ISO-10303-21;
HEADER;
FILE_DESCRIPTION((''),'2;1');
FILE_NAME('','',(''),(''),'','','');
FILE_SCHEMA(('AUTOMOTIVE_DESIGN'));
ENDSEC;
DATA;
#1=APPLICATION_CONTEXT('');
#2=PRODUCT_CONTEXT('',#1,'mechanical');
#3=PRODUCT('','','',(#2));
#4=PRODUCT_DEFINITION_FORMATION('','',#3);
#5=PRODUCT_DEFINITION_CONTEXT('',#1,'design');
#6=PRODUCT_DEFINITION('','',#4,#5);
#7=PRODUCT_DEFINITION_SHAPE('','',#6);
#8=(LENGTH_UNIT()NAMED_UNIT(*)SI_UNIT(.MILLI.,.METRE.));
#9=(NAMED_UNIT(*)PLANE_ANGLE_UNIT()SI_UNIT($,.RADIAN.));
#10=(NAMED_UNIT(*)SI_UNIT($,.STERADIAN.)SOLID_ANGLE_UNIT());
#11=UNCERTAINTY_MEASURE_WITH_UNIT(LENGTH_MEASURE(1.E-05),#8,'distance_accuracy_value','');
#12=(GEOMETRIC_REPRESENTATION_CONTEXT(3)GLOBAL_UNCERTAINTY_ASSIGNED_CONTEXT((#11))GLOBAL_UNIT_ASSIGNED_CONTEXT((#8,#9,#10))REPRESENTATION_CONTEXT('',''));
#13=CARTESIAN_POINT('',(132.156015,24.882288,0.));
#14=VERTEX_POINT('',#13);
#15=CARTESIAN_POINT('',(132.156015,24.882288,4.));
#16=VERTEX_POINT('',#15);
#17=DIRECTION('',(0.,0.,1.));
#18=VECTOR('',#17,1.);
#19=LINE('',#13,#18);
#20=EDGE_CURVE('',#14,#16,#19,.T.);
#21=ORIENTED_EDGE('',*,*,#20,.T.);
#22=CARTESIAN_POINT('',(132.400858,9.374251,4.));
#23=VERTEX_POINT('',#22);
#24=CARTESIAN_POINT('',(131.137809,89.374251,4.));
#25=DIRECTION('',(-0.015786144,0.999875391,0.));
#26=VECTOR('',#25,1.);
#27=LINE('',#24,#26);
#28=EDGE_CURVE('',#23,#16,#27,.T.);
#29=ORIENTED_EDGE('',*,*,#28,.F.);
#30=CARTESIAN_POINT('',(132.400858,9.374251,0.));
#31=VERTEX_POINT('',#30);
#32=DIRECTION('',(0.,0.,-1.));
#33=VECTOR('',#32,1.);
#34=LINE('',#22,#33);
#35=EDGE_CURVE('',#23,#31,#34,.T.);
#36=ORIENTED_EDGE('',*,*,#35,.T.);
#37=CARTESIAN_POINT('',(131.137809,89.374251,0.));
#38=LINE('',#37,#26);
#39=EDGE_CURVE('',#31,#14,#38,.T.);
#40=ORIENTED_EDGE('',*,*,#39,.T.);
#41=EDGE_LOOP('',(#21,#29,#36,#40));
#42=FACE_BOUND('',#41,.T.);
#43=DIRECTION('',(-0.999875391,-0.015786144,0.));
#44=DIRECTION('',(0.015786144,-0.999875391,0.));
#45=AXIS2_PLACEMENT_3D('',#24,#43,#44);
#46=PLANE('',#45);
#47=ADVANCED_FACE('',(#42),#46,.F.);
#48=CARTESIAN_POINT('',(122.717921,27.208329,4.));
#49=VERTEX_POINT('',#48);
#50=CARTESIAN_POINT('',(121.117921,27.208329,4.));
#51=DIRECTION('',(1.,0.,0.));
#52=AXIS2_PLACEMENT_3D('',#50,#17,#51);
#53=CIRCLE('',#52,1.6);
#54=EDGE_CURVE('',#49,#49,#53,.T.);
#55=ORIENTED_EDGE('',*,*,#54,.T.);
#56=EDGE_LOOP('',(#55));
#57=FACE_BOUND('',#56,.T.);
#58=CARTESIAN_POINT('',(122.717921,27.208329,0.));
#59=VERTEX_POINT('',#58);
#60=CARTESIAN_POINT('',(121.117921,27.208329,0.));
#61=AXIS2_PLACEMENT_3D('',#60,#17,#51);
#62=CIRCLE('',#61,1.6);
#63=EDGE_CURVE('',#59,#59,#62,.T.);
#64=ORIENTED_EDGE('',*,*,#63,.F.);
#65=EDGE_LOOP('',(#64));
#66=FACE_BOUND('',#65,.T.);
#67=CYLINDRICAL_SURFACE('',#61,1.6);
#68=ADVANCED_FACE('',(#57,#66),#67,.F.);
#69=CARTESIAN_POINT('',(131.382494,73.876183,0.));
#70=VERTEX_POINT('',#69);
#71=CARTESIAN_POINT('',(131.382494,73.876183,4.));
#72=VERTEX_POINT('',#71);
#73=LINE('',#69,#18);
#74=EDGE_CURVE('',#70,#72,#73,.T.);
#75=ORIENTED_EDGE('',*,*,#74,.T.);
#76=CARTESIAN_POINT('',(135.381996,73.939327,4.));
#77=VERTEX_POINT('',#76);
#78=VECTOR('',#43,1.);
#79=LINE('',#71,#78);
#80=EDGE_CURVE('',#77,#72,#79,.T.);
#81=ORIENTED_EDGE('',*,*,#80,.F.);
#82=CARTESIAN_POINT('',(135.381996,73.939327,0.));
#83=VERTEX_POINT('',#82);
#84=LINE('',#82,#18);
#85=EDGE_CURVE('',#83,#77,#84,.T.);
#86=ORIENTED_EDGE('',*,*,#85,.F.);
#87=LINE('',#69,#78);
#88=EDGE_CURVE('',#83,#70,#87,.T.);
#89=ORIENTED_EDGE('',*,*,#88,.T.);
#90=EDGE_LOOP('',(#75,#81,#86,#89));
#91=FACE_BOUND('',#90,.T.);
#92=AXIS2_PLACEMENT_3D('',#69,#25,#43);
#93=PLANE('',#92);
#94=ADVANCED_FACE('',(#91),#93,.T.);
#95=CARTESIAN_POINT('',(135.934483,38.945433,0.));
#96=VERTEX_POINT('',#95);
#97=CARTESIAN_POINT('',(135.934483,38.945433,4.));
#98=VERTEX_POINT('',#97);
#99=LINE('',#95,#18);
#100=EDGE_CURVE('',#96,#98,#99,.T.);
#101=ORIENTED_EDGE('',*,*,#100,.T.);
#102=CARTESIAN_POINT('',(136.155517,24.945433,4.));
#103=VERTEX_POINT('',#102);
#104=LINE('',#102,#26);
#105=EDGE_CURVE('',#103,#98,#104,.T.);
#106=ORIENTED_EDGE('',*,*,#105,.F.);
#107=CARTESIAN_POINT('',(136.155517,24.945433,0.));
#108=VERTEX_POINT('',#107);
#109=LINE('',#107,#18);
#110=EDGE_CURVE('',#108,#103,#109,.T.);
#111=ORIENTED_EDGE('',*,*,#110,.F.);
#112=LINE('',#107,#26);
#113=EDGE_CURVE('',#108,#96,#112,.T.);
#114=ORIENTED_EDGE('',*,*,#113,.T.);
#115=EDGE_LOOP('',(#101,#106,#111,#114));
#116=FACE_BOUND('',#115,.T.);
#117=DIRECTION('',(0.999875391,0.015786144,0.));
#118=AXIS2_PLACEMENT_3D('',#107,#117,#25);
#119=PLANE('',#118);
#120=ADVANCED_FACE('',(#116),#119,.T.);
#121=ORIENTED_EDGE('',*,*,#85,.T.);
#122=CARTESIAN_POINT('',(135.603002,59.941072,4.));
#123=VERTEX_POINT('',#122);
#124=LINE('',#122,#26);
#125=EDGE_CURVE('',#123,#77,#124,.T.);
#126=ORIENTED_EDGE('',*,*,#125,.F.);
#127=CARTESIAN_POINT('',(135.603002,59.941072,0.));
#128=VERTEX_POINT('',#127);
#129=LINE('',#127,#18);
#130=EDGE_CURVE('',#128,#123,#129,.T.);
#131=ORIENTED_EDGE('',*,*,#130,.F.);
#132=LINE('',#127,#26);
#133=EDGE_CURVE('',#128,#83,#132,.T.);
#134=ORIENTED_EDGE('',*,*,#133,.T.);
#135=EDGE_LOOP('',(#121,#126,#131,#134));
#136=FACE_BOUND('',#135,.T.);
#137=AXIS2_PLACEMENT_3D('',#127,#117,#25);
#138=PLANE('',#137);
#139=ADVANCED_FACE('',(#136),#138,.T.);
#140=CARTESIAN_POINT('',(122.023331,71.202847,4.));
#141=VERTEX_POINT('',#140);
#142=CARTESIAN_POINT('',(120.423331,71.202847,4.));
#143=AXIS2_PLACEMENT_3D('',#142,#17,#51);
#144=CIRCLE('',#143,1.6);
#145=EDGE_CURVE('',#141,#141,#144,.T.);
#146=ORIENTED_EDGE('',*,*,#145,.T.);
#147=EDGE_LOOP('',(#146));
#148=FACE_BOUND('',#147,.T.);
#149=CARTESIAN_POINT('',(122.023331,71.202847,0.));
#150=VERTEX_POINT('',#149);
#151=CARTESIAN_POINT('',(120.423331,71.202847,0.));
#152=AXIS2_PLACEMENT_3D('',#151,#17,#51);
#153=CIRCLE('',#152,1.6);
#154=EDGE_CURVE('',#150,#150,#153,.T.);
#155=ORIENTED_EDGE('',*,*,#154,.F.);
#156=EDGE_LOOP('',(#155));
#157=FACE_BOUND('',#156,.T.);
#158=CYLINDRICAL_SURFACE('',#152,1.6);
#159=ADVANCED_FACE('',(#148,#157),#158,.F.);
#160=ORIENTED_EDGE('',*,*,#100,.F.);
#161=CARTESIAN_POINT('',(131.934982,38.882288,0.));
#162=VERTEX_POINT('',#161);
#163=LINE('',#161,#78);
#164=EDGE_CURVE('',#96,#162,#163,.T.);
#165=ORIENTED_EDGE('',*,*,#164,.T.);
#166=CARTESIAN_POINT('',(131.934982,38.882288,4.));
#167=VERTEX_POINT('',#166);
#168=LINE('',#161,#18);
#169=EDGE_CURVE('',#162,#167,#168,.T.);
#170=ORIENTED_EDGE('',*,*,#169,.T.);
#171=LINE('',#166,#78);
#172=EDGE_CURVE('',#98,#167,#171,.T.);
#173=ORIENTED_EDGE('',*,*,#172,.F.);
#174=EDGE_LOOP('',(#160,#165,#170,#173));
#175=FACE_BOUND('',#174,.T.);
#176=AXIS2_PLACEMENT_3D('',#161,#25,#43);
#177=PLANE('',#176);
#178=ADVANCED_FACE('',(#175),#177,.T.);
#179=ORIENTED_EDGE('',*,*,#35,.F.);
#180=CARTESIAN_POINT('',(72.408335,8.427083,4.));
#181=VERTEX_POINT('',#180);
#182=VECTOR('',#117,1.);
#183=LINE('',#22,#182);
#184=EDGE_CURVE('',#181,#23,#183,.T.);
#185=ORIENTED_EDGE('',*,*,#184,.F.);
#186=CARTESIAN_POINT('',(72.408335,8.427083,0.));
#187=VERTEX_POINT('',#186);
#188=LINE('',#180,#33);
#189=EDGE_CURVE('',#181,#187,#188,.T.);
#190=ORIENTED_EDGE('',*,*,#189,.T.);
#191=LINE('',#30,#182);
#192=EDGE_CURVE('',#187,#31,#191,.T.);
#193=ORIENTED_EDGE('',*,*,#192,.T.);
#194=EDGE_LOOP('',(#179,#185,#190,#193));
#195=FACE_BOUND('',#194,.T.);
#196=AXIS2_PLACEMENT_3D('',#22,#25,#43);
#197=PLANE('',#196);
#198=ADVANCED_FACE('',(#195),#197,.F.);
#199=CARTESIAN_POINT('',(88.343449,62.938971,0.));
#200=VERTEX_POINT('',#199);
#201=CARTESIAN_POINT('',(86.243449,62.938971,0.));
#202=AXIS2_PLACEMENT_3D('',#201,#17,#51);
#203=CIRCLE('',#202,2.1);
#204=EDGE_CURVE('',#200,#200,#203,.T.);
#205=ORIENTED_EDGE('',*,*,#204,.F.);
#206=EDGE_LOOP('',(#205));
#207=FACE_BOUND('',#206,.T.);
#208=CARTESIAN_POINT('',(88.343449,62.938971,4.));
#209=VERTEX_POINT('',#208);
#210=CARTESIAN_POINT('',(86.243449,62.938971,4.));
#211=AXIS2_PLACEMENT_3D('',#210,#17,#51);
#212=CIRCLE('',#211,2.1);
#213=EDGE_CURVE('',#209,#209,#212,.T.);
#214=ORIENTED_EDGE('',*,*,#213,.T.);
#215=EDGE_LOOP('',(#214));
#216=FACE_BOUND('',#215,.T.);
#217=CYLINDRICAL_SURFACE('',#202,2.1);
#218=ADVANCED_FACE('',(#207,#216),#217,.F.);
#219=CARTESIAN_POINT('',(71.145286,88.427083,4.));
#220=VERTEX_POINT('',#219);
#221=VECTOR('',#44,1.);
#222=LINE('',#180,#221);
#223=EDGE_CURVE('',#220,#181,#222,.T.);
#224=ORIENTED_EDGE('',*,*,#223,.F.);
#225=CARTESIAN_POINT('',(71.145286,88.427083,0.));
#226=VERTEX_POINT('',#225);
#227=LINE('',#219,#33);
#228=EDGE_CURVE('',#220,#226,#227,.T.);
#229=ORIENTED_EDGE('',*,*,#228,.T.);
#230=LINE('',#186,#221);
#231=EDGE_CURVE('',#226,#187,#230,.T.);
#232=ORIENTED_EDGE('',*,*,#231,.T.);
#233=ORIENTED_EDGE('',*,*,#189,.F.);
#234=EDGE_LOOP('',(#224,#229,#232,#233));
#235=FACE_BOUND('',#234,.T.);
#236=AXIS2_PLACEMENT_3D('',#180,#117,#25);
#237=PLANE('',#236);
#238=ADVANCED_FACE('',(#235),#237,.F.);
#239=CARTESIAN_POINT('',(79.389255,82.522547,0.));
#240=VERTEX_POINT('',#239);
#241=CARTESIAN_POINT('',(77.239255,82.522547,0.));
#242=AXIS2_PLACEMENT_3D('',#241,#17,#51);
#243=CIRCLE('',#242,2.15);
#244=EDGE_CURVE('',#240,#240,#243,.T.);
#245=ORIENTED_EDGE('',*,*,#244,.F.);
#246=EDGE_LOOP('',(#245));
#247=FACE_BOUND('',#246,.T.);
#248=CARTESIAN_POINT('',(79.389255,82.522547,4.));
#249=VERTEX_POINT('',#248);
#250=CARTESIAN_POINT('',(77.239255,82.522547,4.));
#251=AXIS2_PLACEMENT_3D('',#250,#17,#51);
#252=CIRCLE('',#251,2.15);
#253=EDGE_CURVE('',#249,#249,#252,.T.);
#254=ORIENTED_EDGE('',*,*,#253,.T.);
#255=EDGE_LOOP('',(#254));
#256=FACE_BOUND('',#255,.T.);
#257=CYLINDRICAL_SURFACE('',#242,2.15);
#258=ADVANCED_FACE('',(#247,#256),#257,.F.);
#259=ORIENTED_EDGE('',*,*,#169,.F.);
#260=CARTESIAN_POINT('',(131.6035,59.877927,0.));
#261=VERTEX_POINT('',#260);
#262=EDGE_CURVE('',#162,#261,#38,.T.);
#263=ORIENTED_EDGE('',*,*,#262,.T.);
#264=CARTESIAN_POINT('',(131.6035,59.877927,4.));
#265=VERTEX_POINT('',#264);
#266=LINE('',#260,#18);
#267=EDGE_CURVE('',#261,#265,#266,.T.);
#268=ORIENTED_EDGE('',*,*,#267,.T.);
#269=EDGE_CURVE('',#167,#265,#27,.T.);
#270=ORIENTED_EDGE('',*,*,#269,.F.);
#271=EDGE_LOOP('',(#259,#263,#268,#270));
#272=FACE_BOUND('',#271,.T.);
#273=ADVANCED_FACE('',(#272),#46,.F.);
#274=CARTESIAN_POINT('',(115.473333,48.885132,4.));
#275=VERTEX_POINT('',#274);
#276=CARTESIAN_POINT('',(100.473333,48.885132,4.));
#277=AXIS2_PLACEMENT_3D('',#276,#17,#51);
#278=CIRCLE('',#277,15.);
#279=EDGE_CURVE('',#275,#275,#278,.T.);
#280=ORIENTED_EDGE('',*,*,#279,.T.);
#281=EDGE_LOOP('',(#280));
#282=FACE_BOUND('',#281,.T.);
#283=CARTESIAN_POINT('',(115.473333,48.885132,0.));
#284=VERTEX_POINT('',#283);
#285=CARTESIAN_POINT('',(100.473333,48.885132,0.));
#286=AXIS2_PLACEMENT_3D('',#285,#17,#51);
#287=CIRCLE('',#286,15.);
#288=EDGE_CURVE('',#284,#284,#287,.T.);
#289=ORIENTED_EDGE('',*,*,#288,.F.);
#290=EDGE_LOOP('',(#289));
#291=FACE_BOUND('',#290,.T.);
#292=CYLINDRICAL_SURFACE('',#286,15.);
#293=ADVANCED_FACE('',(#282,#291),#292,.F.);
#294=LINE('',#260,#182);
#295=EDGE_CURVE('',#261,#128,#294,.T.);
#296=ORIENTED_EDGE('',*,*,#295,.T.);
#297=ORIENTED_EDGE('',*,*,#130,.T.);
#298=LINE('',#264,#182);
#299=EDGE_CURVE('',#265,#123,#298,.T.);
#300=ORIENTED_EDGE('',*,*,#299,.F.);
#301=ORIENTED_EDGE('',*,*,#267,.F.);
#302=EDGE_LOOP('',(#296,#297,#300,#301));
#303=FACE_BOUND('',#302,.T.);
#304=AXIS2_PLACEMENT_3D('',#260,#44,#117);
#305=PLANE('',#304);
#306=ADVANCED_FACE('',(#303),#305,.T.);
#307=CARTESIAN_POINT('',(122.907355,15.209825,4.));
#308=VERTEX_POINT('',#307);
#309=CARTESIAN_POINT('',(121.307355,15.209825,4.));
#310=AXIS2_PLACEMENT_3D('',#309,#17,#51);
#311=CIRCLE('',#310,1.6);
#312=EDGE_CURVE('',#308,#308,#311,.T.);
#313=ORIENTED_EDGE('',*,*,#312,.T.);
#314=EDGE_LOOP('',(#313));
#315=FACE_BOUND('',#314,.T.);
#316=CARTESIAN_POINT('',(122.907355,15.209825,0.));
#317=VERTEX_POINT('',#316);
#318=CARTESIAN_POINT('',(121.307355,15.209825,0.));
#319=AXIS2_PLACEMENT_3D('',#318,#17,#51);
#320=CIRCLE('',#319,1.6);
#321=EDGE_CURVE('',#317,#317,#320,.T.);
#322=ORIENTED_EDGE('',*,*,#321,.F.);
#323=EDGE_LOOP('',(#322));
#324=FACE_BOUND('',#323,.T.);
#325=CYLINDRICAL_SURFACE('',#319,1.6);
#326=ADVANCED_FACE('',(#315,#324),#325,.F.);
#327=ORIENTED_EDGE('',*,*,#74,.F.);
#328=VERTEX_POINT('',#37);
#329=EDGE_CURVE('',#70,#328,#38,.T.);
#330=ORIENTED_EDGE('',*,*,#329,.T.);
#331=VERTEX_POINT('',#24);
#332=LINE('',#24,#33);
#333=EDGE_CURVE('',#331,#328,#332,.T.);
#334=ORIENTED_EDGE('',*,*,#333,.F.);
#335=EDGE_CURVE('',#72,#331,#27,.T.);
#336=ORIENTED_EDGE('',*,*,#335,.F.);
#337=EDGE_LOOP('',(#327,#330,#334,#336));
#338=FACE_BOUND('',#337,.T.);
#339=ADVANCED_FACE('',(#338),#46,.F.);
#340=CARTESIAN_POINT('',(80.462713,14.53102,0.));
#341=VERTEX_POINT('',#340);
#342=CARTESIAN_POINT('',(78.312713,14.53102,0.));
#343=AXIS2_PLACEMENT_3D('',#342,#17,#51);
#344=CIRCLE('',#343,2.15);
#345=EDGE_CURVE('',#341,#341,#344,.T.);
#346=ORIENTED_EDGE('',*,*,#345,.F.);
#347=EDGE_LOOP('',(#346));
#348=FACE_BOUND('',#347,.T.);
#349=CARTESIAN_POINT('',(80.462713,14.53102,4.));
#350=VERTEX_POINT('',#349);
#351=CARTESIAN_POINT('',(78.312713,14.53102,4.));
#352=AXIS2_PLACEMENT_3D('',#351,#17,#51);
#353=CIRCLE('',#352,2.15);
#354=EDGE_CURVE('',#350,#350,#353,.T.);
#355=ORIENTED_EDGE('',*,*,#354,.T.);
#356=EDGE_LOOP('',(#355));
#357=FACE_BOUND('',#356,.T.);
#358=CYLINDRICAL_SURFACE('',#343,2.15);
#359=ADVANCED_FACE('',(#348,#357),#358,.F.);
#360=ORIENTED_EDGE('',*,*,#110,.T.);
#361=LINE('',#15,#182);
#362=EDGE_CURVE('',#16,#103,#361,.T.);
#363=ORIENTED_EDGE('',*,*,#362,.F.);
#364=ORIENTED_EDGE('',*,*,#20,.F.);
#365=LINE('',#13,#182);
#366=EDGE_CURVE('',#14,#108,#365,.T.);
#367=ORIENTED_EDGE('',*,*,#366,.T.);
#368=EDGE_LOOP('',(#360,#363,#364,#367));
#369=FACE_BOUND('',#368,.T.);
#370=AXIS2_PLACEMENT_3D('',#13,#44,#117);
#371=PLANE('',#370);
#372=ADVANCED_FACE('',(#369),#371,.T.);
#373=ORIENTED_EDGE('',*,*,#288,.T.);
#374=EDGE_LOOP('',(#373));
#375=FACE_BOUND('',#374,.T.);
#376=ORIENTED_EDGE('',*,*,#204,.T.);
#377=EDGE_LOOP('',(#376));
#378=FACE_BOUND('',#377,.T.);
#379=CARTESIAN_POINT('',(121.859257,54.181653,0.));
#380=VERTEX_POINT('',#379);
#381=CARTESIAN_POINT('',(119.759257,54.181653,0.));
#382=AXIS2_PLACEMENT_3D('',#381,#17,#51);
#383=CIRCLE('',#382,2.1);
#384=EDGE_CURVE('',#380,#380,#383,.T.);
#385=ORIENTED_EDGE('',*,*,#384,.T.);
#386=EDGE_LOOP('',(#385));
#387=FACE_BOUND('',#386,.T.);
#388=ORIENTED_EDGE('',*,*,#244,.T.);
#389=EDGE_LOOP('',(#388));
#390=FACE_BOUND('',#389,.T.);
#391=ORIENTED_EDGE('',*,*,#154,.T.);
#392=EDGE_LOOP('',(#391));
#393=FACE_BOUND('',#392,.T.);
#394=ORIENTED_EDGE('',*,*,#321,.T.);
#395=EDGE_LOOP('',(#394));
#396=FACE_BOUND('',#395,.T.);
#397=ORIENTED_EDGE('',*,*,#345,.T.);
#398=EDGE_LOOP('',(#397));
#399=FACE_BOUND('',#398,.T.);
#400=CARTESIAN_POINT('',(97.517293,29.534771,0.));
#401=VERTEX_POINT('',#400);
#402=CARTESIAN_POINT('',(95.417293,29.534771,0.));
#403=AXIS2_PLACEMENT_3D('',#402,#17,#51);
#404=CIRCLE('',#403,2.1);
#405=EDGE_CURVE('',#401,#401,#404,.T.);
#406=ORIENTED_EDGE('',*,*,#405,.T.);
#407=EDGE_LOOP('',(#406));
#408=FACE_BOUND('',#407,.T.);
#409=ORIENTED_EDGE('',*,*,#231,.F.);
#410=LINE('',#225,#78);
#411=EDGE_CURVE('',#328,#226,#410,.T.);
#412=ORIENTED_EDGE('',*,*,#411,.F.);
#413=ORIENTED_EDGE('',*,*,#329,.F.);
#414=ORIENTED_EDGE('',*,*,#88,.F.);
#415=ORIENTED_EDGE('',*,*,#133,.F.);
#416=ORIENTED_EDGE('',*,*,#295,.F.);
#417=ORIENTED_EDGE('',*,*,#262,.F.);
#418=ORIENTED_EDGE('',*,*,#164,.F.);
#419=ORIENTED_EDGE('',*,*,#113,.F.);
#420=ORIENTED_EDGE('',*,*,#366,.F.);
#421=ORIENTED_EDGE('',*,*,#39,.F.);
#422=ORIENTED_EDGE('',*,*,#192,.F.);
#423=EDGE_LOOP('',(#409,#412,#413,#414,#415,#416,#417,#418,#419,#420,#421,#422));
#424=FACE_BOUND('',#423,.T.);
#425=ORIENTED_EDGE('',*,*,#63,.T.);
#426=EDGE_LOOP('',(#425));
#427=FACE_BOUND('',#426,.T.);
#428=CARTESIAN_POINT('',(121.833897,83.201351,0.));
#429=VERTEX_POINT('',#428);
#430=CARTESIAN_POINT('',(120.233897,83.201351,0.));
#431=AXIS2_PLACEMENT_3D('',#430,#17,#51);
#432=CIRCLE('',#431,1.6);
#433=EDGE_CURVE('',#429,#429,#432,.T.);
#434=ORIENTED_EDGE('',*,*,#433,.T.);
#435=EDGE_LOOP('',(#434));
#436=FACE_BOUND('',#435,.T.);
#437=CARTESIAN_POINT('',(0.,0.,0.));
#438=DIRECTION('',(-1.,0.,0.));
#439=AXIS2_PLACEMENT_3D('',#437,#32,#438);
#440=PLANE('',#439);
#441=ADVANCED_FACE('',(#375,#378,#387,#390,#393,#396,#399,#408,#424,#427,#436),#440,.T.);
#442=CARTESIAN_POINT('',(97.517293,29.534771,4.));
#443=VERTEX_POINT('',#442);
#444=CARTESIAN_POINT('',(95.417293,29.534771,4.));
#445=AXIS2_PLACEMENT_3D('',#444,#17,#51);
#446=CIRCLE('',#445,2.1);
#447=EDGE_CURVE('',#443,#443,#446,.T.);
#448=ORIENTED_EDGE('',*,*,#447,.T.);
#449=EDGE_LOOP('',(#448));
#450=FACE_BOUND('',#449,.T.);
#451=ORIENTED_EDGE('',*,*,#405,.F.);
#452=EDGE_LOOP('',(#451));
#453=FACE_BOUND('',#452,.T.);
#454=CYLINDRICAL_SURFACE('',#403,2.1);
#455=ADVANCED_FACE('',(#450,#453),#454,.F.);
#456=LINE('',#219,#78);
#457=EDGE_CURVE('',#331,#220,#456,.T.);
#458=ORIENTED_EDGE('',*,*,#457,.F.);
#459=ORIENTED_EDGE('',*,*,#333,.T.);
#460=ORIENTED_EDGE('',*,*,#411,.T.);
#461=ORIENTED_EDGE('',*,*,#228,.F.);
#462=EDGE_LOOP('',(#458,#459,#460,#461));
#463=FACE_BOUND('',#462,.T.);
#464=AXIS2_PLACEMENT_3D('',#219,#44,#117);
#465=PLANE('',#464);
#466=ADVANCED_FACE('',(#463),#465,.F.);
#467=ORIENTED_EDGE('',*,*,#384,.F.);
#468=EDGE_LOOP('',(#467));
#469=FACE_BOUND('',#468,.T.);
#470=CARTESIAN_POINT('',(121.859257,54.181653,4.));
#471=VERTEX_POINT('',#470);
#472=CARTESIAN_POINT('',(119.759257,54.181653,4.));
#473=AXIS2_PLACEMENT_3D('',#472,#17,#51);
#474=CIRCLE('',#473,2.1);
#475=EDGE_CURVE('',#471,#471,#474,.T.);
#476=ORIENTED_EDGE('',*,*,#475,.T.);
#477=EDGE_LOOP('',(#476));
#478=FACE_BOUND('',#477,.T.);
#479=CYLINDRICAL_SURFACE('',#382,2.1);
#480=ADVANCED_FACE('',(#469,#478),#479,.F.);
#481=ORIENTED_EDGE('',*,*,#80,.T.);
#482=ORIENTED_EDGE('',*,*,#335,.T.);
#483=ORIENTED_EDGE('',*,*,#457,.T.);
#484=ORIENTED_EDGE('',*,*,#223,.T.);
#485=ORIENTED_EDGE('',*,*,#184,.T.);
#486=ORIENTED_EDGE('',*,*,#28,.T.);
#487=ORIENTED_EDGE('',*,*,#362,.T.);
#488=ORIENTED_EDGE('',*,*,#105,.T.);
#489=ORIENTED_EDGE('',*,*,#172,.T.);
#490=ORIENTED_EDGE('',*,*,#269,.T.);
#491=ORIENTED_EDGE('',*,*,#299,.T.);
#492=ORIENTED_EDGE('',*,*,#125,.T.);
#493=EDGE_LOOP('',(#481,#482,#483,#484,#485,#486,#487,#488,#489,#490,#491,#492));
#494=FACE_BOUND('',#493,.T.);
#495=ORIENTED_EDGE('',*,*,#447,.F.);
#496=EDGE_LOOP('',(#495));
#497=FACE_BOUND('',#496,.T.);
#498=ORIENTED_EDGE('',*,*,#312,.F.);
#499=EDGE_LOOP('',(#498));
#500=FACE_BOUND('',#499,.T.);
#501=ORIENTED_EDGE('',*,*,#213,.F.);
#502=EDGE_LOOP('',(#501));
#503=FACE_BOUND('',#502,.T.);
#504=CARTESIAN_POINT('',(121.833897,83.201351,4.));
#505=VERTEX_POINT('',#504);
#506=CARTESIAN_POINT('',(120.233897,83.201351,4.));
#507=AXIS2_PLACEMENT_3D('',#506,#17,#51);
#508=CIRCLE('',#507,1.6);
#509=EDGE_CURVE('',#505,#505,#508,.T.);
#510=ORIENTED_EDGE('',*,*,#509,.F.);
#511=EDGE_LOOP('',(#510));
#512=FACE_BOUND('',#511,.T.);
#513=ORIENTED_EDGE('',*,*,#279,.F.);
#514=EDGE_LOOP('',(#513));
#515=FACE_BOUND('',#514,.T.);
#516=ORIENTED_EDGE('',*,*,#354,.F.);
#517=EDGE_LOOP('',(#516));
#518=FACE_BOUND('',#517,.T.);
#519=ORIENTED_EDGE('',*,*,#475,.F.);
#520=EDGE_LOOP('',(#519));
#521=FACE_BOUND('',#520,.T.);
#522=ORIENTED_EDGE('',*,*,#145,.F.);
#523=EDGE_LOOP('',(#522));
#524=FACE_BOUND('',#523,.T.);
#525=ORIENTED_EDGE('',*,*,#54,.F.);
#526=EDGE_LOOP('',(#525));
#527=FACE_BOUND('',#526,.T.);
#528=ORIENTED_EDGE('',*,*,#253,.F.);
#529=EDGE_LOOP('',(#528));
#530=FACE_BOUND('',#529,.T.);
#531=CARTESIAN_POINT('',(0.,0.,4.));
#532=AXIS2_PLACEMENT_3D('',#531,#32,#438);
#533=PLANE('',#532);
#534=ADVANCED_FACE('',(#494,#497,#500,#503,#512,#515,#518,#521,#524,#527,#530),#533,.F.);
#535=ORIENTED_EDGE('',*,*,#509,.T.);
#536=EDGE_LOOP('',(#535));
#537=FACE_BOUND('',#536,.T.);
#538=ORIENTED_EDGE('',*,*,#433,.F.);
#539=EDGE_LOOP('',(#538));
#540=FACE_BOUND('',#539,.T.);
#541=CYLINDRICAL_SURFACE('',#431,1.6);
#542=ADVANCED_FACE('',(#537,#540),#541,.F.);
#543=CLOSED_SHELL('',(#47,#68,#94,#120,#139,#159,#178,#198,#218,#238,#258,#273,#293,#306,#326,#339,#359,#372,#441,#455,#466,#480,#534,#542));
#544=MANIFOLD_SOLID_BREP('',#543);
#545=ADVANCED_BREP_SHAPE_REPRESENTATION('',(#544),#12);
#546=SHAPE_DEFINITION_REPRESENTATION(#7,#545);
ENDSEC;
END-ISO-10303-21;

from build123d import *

# Parameters (mm, degrees)
EXTRUDE_1_DEPTH     = 4
SKETCH_3_R          = 15
SKETCH_3_R_2        = 2.1
CUT_EXTRUDE_1_DEPTH = 4
SKETCH_4_R          = 2.15
CUT_EXTRUDE_2_DEPTH = 4
SKETCH_5_R          = 1.6
CUT_EXTRUDE_3_DEPTH = 4
EXTRUDE_2_DEPTH     = 4


with BuildPart() as part:
    # 草图2 → 凸台-拉伸1 (new body)
    with BuildSketch(Plane.XY):
        Polygon((131.137809217, 89.374251193), (132.400858097, 9.374251193), (72.408334633, 8.427082574), (71.145285753, 88.427082574), align=None)
    extrude(amount=EXTRUDE_1_DEPTH)

    # 草图3 → 切除-拉伸1 (cut)
    with BuildSketch(Plane.XY.offset(4)):
        with Locations((100.473333038, 48.885132061)):
            Circle(SKETCH_3_R)
        with Locations((119.759256959, 54.181653421)):
            Circle(SKETCH_3_R_2)
        with Locations((95.417293127, 29.53477133)):
            Circle(SKETCH_3_R_2)
        with Locations((86.243449028, 62.938971432)):
            Circle(SKETCH_3_R_2)
    extrude(amount=-CUT_EXTRUDE_1_DEPTH, mode=Mode.SUBTRACT)

    # 草图4 → 切除-拉伸2 (cut)
    with BuildSketch(Plane.XY.offset(4)):
        with Locations((77.239254962, 82.522547089)):
            Circle(SKETCH_4_R)
        with Locations((78.31271273, 14.531020496)):
            Circle(SKETCH_4_R)
    extrude(amount=-CUT_EXTRUDE_2_DEPTH, mode=Mode.SUBTRACT)

    # 草图5 → 切除-拉伸3 (cut)
    with BuildSketch(Plane.XY.offset(4)):
        with Locations((120.233896778, 83.201351266)):
            Circle(SKETCH_5_R)
        with Locations((120.423330501, 71.202846573)):
            Circle(SKETCH_5_R)
        with Locations((121.117920822, 27.208329366)):
            Circle(SKETCH_5_R)
        with Locations((121.307354546, 15.209824673)):
            Circle(SKETCH_5_R)
    extrude(amount=-CUT_EXTRUDE_3_DEPTH, mode=Mode.SUBTRACT)

    # 草图6 → 凸台-拉伸2 (add)
    with BuildSketch(Plane.XY.offset(4)):
        Polygon((132.156015483, 24.882288469), (131.934981929, 38.882288469), (135.934483494, 38.945433043), (136.155517047, 24.945433043), align=None)
        Polygon((131.603500455, 59.877927156), (131.382494444, 73.876182631), (135.381996008, 73.939327206), (135.60300202, 59.941071731), align=None)
    extrude(amount=-EXTRUDE_2_DEPTH)


solid = part.part
